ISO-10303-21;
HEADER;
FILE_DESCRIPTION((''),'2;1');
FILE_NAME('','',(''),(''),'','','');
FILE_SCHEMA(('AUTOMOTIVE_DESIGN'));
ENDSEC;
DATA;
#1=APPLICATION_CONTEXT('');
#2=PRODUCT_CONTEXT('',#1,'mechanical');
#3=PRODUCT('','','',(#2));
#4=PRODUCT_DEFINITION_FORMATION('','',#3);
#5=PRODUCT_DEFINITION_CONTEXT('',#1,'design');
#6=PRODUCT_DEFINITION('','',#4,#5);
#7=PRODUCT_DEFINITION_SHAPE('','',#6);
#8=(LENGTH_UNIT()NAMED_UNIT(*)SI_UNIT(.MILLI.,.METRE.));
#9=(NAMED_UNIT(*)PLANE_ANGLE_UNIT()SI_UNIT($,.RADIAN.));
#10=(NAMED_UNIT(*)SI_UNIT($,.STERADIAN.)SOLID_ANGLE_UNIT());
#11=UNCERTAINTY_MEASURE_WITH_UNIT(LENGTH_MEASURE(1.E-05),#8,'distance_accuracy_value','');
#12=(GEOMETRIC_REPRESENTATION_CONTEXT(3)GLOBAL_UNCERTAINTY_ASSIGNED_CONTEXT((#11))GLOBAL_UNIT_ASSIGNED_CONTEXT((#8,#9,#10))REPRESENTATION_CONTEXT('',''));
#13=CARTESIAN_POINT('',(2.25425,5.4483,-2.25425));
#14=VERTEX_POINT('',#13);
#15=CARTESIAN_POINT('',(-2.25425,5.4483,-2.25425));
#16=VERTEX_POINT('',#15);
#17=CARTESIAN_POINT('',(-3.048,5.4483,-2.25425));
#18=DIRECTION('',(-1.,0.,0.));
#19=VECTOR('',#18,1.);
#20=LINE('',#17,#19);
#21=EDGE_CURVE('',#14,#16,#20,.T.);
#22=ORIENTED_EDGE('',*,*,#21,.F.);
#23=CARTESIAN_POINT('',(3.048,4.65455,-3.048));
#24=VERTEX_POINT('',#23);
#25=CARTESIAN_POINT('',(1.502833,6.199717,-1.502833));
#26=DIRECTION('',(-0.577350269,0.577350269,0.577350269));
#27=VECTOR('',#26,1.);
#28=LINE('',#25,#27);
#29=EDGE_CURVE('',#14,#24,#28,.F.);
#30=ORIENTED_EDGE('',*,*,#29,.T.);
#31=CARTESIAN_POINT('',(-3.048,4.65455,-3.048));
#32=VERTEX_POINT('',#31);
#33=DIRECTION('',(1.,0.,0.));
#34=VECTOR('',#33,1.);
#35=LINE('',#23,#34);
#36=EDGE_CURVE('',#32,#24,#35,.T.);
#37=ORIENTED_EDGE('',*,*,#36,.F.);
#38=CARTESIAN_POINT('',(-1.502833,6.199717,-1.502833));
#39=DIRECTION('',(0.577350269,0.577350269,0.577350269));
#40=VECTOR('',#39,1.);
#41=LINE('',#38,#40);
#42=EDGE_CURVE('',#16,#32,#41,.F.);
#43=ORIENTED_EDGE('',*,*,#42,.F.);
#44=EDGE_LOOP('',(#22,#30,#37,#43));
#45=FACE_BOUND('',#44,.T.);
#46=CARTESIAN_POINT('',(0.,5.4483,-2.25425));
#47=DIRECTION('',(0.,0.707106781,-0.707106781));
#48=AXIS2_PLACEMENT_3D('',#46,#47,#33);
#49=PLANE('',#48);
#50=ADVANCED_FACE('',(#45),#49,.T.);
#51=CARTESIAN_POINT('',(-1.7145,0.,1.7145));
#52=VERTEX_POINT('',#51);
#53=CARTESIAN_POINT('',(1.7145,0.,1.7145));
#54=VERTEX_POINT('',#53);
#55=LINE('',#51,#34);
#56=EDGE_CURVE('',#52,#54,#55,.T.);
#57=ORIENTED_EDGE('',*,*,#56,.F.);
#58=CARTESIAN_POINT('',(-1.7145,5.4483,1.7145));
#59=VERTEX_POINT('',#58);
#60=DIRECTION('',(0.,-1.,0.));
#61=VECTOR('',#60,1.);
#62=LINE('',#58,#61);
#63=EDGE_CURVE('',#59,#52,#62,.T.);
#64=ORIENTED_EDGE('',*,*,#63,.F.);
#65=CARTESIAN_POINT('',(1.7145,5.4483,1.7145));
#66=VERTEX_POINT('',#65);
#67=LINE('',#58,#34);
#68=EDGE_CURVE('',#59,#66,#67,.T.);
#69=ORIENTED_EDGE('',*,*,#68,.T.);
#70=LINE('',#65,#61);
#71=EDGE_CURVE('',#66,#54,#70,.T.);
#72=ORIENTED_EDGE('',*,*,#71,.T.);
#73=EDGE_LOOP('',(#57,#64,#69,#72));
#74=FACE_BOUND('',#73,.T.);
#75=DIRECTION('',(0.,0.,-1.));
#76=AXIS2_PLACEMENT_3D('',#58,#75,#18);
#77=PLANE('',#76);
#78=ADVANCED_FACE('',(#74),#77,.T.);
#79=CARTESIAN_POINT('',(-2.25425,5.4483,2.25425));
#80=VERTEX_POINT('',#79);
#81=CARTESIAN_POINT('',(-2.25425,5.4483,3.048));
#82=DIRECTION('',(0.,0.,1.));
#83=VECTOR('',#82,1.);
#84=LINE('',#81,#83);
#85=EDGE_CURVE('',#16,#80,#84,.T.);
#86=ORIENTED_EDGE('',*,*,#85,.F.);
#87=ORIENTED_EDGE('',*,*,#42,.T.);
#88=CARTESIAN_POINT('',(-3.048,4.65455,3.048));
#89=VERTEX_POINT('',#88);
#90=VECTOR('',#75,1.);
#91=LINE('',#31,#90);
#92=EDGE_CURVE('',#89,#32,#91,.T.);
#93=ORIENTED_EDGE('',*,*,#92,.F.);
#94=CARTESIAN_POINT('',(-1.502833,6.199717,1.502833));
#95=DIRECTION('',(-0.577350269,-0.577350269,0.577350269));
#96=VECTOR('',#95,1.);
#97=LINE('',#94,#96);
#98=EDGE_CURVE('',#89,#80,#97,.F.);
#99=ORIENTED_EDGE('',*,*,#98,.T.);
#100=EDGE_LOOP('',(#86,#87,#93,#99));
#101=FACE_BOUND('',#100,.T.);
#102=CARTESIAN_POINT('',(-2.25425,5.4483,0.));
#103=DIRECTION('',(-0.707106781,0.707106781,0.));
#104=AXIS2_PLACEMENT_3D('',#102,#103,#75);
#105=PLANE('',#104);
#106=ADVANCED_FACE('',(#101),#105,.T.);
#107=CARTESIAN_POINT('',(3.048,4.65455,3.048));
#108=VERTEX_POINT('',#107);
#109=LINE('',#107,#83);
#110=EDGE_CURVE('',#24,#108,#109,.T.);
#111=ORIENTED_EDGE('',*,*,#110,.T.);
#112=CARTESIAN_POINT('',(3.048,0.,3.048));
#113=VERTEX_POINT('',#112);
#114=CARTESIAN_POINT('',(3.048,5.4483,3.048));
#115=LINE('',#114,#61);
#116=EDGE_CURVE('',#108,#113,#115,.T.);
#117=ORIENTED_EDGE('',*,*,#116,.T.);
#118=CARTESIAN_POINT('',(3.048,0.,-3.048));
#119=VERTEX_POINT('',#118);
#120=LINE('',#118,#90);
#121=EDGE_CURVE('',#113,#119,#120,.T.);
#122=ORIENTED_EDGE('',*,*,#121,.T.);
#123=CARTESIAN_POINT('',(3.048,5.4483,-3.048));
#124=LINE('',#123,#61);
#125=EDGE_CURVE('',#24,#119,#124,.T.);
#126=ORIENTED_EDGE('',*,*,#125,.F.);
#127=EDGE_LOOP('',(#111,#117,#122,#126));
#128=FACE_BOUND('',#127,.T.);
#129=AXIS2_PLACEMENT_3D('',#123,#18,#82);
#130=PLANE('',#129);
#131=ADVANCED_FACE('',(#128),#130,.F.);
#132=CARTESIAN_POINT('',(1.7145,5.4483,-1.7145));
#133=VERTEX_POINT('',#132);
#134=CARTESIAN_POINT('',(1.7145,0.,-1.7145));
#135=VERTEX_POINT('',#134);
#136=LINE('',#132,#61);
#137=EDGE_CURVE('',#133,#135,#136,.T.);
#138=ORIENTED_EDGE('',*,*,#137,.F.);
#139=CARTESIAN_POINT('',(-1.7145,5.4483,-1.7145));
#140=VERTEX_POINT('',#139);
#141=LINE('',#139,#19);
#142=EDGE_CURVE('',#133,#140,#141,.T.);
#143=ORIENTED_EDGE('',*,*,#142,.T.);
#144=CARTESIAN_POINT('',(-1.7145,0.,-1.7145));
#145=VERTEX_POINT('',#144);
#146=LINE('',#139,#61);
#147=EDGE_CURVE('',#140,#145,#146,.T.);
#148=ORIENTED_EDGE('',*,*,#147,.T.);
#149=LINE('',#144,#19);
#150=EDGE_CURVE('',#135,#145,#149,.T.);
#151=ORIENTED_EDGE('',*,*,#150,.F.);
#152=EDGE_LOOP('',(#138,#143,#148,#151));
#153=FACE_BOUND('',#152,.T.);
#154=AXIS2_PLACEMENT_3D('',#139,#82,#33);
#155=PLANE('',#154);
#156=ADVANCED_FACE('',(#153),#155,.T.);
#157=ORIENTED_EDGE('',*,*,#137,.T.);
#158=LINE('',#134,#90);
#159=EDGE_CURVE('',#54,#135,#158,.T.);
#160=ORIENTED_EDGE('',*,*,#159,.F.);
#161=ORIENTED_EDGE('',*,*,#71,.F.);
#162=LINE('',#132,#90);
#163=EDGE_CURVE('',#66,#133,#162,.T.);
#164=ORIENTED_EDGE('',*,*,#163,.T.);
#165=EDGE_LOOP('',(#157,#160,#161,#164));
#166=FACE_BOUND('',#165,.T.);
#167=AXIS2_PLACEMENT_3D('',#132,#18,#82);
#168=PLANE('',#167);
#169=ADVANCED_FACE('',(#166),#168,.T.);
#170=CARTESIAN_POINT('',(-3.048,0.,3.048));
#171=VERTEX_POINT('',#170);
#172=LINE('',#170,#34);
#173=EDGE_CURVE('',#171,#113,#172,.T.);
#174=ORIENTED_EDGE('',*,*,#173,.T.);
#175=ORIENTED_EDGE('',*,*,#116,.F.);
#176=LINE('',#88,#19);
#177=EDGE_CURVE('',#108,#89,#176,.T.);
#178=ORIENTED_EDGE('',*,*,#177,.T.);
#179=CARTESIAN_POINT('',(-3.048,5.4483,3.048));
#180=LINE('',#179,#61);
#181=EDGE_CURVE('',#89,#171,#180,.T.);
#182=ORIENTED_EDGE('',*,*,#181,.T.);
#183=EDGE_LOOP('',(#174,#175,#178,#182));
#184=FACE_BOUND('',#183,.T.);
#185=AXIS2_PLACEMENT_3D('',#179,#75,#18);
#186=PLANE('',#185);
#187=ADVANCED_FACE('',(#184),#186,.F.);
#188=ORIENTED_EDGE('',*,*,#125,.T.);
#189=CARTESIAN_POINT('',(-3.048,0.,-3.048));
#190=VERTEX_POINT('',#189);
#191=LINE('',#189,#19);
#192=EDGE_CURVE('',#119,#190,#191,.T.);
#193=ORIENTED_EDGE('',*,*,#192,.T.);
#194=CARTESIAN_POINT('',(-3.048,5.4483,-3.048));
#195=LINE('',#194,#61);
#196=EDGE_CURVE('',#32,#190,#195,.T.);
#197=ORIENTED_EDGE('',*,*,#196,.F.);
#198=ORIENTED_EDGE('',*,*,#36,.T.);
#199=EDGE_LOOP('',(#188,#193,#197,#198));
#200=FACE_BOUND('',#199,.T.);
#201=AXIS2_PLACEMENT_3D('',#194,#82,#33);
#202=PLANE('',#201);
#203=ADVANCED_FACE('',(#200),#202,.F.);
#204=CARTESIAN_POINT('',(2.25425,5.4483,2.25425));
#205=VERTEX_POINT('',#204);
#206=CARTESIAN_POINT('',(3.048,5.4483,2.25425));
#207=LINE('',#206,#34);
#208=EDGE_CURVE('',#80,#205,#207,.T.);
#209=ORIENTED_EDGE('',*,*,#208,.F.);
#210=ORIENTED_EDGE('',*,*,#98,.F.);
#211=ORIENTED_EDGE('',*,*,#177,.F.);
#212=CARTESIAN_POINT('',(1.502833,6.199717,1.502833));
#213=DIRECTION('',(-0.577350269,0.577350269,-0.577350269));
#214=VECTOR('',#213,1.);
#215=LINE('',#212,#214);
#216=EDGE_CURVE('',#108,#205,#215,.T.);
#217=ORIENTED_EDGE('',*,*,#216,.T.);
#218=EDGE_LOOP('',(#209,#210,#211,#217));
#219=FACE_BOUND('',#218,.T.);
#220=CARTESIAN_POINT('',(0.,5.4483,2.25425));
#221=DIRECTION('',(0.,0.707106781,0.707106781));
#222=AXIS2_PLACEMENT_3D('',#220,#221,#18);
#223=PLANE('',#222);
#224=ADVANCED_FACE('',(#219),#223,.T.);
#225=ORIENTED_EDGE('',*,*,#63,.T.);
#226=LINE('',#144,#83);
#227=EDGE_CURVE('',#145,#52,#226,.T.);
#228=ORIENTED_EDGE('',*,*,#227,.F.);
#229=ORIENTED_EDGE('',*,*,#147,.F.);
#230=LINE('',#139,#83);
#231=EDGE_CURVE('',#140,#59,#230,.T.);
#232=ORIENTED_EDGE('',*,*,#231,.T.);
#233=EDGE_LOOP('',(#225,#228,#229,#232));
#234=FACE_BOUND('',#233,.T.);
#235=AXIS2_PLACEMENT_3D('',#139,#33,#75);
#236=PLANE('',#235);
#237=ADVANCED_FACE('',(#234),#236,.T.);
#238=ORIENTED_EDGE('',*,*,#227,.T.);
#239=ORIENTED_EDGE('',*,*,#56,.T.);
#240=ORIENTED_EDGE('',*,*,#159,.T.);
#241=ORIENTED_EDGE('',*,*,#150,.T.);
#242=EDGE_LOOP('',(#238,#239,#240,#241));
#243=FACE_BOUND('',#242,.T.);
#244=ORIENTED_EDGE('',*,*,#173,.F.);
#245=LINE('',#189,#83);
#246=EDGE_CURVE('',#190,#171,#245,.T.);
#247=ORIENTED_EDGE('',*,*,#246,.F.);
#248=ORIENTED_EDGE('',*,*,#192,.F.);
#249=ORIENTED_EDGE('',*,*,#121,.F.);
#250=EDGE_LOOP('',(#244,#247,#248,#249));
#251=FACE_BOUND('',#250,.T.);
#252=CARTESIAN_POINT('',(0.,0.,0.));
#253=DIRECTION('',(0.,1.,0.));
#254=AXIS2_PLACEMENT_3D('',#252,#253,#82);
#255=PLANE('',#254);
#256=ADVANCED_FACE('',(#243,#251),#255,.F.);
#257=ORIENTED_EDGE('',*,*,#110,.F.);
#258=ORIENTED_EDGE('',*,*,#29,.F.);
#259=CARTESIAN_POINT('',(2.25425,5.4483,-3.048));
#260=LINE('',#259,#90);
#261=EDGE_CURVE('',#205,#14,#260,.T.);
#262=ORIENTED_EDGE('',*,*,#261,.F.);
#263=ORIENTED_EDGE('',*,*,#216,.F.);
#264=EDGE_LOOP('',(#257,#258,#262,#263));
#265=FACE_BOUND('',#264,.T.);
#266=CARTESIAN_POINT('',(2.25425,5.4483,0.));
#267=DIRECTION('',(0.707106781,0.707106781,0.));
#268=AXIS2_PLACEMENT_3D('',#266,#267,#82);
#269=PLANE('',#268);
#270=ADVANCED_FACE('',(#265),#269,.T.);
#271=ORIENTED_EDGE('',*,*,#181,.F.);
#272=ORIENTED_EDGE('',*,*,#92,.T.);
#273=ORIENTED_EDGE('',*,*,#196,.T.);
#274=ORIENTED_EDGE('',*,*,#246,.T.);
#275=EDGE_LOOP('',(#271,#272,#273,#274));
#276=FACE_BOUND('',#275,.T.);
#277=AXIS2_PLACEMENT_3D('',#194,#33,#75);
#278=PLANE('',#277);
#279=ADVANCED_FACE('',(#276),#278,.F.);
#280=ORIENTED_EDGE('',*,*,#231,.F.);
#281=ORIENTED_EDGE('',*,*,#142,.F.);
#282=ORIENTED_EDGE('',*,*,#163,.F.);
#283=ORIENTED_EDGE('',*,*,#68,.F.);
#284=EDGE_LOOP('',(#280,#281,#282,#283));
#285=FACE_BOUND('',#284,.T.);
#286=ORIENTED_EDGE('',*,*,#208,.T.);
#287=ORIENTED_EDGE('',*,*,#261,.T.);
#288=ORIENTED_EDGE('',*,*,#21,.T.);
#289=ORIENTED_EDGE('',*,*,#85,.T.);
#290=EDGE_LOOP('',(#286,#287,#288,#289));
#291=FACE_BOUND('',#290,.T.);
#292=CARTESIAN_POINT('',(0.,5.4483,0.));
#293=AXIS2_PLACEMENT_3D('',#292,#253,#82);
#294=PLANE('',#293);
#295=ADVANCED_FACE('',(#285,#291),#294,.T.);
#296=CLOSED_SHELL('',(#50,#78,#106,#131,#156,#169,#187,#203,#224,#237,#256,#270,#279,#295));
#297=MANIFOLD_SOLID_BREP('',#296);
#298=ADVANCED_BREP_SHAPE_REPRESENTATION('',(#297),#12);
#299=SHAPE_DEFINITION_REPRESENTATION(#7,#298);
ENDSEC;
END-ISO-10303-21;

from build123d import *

# Parameters (mm, degrees)
SKETCH2_W           = 6.096
SKETCH2_H           = 6.096
SKETCH2_W_2         = 3.429
SKETCH2_H_2         = 3.429
BOSS_EXTRUDE1_DEPTH = 5.4483
CHAMFER1_SIZE       = 0.79375


with BuildPart() as part:
    # Sketch2 → Boss-Extrude1 (new body)
    with BuildSketch(Plane(origin=(0, 0, 0), x_dir=(1, 0, 0), z_dir=(0, 1, 0))):
        Rectangle(SKETCH2_W, SKETCH2_H)
        Rectangle(SKETCH2_W_2, SKETCH2_H_2, mode=Mode.SUBTRACT)
    extrude(amount=BOSS_EXTRUDE1_DEPTH)

    # Chamfer1
    chamfer1_edges = [part.edges().sort_by_distance(p)[0] for p in [
        (-3.048, 5.4483, 0),
        (0, 5.4483, 3.048),
        (3.048, 5.4483, 0),
        (0, 5.4483, -3.048),
    ]]
    chamfer(chamfer1_edges, length=CHAMFER1_SIZE)


solid = part.part
